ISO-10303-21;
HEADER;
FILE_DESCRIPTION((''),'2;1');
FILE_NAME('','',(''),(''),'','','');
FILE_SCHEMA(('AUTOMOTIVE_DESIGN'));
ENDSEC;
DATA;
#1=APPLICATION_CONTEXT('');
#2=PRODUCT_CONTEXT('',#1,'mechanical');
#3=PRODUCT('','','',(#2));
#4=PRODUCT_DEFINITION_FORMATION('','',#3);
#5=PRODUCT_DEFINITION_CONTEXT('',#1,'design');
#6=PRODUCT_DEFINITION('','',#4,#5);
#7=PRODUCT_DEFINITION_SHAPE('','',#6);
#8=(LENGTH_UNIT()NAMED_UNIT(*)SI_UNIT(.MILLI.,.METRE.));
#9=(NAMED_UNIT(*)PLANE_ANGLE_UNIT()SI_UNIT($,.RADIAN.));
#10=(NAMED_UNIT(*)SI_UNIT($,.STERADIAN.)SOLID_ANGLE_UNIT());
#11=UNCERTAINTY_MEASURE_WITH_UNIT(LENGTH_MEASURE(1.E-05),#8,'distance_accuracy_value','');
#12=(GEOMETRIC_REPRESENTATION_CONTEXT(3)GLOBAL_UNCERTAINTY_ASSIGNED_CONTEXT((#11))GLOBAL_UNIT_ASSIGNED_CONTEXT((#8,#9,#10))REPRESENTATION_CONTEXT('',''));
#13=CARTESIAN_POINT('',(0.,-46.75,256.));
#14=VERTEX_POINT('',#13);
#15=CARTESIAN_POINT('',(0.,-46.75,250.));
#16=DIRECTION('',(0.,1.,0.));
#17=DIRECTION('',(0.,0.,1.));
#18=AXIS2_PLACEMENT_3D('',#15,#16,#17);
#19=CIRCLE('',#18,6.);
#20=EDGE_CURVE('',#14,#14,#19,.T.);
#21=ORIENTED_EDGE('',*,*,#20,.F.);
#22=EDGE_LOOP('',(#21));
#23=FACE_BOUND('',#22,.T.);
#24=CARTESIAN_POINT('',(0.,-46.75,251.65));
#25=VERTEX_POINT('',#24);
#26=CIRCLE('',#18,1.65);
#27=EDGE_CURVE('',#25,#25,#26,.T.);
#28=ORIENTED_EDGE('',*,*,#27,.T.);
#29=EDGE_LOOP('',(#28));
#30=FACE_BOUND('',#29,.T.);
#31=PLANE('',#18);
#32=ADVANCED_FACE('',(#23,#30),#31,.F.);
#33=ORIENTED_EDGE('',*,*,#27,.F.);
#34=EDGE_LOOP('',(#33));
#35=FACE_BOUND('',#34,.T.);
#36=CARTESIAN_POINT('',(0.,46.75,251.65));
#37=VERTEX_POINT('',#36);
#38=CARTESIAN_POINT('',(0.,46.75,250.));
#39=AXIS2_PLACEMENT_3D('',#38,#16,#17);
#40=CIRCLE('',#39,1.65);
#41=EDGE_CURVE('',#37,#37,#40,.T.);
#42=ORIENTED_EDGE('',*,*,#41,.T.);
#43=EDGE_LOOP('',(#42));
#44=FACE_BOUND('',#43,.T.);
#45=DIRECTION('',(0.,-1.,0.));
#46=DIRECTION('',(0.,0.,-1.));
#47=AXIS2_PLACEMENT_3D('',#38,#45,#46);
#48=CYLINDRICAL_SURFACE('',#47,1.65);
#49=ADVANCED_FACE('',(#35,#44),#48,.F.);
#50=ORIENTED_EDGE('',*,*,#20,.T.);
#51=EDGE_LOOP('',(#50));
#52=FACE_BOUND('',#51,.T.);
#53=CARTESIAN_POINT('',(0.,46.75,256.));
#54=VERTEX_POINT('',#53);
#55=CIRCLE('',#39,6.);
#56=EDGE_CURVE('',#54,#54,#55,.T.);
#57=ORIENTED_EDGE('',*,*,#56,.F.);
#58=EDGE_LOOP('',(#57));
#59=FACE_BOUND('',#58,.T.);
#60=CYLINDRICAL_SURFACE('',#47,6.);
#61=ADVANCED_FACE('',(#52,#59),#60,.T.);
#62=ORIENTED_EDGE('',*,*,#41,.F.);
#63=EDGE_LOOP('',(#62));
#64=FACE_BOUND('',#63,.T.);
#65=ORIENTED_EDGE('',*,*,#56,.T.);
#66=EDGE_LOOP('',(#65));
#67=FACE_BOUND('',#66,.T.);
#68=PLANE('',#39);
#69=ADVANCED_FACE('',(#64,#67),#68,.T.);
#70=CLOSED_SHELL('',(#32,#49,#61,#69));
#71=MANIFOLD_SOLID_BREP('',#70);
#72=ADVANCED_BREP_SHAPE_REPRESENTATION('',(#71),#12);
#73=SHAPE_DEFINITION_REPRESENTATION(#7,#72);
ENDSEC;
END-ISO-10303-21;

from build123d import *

# Parameters (mm, degrees)
TUBO_START  = -46.75
SK_TUBO_R   = 6
SK_TUBO_R_2 = 1.65
TUBO_DEPTH  = 93.5


with BuildPart() as part:
    # Sk_Tubo → Tubo (new body)
    with BuildSketch(Plane(origin=(0, 0, 0), x_dir=(1, 0, 0), z_dir=(0, 1, 0)).offset(TUBO_START)):
        with Locations(Location((0, -250, 0), (0, 0, 270))):
            Circle(SK_TUBO_R)
        with Locations(Location((0, -250, 0), (0, 0, 270))):
            Circle(SK_TUBO_R_2, mode=Mode.SUBTRACT)
    extrude(amount=TUBO_DEPTH)


solid = part.part
